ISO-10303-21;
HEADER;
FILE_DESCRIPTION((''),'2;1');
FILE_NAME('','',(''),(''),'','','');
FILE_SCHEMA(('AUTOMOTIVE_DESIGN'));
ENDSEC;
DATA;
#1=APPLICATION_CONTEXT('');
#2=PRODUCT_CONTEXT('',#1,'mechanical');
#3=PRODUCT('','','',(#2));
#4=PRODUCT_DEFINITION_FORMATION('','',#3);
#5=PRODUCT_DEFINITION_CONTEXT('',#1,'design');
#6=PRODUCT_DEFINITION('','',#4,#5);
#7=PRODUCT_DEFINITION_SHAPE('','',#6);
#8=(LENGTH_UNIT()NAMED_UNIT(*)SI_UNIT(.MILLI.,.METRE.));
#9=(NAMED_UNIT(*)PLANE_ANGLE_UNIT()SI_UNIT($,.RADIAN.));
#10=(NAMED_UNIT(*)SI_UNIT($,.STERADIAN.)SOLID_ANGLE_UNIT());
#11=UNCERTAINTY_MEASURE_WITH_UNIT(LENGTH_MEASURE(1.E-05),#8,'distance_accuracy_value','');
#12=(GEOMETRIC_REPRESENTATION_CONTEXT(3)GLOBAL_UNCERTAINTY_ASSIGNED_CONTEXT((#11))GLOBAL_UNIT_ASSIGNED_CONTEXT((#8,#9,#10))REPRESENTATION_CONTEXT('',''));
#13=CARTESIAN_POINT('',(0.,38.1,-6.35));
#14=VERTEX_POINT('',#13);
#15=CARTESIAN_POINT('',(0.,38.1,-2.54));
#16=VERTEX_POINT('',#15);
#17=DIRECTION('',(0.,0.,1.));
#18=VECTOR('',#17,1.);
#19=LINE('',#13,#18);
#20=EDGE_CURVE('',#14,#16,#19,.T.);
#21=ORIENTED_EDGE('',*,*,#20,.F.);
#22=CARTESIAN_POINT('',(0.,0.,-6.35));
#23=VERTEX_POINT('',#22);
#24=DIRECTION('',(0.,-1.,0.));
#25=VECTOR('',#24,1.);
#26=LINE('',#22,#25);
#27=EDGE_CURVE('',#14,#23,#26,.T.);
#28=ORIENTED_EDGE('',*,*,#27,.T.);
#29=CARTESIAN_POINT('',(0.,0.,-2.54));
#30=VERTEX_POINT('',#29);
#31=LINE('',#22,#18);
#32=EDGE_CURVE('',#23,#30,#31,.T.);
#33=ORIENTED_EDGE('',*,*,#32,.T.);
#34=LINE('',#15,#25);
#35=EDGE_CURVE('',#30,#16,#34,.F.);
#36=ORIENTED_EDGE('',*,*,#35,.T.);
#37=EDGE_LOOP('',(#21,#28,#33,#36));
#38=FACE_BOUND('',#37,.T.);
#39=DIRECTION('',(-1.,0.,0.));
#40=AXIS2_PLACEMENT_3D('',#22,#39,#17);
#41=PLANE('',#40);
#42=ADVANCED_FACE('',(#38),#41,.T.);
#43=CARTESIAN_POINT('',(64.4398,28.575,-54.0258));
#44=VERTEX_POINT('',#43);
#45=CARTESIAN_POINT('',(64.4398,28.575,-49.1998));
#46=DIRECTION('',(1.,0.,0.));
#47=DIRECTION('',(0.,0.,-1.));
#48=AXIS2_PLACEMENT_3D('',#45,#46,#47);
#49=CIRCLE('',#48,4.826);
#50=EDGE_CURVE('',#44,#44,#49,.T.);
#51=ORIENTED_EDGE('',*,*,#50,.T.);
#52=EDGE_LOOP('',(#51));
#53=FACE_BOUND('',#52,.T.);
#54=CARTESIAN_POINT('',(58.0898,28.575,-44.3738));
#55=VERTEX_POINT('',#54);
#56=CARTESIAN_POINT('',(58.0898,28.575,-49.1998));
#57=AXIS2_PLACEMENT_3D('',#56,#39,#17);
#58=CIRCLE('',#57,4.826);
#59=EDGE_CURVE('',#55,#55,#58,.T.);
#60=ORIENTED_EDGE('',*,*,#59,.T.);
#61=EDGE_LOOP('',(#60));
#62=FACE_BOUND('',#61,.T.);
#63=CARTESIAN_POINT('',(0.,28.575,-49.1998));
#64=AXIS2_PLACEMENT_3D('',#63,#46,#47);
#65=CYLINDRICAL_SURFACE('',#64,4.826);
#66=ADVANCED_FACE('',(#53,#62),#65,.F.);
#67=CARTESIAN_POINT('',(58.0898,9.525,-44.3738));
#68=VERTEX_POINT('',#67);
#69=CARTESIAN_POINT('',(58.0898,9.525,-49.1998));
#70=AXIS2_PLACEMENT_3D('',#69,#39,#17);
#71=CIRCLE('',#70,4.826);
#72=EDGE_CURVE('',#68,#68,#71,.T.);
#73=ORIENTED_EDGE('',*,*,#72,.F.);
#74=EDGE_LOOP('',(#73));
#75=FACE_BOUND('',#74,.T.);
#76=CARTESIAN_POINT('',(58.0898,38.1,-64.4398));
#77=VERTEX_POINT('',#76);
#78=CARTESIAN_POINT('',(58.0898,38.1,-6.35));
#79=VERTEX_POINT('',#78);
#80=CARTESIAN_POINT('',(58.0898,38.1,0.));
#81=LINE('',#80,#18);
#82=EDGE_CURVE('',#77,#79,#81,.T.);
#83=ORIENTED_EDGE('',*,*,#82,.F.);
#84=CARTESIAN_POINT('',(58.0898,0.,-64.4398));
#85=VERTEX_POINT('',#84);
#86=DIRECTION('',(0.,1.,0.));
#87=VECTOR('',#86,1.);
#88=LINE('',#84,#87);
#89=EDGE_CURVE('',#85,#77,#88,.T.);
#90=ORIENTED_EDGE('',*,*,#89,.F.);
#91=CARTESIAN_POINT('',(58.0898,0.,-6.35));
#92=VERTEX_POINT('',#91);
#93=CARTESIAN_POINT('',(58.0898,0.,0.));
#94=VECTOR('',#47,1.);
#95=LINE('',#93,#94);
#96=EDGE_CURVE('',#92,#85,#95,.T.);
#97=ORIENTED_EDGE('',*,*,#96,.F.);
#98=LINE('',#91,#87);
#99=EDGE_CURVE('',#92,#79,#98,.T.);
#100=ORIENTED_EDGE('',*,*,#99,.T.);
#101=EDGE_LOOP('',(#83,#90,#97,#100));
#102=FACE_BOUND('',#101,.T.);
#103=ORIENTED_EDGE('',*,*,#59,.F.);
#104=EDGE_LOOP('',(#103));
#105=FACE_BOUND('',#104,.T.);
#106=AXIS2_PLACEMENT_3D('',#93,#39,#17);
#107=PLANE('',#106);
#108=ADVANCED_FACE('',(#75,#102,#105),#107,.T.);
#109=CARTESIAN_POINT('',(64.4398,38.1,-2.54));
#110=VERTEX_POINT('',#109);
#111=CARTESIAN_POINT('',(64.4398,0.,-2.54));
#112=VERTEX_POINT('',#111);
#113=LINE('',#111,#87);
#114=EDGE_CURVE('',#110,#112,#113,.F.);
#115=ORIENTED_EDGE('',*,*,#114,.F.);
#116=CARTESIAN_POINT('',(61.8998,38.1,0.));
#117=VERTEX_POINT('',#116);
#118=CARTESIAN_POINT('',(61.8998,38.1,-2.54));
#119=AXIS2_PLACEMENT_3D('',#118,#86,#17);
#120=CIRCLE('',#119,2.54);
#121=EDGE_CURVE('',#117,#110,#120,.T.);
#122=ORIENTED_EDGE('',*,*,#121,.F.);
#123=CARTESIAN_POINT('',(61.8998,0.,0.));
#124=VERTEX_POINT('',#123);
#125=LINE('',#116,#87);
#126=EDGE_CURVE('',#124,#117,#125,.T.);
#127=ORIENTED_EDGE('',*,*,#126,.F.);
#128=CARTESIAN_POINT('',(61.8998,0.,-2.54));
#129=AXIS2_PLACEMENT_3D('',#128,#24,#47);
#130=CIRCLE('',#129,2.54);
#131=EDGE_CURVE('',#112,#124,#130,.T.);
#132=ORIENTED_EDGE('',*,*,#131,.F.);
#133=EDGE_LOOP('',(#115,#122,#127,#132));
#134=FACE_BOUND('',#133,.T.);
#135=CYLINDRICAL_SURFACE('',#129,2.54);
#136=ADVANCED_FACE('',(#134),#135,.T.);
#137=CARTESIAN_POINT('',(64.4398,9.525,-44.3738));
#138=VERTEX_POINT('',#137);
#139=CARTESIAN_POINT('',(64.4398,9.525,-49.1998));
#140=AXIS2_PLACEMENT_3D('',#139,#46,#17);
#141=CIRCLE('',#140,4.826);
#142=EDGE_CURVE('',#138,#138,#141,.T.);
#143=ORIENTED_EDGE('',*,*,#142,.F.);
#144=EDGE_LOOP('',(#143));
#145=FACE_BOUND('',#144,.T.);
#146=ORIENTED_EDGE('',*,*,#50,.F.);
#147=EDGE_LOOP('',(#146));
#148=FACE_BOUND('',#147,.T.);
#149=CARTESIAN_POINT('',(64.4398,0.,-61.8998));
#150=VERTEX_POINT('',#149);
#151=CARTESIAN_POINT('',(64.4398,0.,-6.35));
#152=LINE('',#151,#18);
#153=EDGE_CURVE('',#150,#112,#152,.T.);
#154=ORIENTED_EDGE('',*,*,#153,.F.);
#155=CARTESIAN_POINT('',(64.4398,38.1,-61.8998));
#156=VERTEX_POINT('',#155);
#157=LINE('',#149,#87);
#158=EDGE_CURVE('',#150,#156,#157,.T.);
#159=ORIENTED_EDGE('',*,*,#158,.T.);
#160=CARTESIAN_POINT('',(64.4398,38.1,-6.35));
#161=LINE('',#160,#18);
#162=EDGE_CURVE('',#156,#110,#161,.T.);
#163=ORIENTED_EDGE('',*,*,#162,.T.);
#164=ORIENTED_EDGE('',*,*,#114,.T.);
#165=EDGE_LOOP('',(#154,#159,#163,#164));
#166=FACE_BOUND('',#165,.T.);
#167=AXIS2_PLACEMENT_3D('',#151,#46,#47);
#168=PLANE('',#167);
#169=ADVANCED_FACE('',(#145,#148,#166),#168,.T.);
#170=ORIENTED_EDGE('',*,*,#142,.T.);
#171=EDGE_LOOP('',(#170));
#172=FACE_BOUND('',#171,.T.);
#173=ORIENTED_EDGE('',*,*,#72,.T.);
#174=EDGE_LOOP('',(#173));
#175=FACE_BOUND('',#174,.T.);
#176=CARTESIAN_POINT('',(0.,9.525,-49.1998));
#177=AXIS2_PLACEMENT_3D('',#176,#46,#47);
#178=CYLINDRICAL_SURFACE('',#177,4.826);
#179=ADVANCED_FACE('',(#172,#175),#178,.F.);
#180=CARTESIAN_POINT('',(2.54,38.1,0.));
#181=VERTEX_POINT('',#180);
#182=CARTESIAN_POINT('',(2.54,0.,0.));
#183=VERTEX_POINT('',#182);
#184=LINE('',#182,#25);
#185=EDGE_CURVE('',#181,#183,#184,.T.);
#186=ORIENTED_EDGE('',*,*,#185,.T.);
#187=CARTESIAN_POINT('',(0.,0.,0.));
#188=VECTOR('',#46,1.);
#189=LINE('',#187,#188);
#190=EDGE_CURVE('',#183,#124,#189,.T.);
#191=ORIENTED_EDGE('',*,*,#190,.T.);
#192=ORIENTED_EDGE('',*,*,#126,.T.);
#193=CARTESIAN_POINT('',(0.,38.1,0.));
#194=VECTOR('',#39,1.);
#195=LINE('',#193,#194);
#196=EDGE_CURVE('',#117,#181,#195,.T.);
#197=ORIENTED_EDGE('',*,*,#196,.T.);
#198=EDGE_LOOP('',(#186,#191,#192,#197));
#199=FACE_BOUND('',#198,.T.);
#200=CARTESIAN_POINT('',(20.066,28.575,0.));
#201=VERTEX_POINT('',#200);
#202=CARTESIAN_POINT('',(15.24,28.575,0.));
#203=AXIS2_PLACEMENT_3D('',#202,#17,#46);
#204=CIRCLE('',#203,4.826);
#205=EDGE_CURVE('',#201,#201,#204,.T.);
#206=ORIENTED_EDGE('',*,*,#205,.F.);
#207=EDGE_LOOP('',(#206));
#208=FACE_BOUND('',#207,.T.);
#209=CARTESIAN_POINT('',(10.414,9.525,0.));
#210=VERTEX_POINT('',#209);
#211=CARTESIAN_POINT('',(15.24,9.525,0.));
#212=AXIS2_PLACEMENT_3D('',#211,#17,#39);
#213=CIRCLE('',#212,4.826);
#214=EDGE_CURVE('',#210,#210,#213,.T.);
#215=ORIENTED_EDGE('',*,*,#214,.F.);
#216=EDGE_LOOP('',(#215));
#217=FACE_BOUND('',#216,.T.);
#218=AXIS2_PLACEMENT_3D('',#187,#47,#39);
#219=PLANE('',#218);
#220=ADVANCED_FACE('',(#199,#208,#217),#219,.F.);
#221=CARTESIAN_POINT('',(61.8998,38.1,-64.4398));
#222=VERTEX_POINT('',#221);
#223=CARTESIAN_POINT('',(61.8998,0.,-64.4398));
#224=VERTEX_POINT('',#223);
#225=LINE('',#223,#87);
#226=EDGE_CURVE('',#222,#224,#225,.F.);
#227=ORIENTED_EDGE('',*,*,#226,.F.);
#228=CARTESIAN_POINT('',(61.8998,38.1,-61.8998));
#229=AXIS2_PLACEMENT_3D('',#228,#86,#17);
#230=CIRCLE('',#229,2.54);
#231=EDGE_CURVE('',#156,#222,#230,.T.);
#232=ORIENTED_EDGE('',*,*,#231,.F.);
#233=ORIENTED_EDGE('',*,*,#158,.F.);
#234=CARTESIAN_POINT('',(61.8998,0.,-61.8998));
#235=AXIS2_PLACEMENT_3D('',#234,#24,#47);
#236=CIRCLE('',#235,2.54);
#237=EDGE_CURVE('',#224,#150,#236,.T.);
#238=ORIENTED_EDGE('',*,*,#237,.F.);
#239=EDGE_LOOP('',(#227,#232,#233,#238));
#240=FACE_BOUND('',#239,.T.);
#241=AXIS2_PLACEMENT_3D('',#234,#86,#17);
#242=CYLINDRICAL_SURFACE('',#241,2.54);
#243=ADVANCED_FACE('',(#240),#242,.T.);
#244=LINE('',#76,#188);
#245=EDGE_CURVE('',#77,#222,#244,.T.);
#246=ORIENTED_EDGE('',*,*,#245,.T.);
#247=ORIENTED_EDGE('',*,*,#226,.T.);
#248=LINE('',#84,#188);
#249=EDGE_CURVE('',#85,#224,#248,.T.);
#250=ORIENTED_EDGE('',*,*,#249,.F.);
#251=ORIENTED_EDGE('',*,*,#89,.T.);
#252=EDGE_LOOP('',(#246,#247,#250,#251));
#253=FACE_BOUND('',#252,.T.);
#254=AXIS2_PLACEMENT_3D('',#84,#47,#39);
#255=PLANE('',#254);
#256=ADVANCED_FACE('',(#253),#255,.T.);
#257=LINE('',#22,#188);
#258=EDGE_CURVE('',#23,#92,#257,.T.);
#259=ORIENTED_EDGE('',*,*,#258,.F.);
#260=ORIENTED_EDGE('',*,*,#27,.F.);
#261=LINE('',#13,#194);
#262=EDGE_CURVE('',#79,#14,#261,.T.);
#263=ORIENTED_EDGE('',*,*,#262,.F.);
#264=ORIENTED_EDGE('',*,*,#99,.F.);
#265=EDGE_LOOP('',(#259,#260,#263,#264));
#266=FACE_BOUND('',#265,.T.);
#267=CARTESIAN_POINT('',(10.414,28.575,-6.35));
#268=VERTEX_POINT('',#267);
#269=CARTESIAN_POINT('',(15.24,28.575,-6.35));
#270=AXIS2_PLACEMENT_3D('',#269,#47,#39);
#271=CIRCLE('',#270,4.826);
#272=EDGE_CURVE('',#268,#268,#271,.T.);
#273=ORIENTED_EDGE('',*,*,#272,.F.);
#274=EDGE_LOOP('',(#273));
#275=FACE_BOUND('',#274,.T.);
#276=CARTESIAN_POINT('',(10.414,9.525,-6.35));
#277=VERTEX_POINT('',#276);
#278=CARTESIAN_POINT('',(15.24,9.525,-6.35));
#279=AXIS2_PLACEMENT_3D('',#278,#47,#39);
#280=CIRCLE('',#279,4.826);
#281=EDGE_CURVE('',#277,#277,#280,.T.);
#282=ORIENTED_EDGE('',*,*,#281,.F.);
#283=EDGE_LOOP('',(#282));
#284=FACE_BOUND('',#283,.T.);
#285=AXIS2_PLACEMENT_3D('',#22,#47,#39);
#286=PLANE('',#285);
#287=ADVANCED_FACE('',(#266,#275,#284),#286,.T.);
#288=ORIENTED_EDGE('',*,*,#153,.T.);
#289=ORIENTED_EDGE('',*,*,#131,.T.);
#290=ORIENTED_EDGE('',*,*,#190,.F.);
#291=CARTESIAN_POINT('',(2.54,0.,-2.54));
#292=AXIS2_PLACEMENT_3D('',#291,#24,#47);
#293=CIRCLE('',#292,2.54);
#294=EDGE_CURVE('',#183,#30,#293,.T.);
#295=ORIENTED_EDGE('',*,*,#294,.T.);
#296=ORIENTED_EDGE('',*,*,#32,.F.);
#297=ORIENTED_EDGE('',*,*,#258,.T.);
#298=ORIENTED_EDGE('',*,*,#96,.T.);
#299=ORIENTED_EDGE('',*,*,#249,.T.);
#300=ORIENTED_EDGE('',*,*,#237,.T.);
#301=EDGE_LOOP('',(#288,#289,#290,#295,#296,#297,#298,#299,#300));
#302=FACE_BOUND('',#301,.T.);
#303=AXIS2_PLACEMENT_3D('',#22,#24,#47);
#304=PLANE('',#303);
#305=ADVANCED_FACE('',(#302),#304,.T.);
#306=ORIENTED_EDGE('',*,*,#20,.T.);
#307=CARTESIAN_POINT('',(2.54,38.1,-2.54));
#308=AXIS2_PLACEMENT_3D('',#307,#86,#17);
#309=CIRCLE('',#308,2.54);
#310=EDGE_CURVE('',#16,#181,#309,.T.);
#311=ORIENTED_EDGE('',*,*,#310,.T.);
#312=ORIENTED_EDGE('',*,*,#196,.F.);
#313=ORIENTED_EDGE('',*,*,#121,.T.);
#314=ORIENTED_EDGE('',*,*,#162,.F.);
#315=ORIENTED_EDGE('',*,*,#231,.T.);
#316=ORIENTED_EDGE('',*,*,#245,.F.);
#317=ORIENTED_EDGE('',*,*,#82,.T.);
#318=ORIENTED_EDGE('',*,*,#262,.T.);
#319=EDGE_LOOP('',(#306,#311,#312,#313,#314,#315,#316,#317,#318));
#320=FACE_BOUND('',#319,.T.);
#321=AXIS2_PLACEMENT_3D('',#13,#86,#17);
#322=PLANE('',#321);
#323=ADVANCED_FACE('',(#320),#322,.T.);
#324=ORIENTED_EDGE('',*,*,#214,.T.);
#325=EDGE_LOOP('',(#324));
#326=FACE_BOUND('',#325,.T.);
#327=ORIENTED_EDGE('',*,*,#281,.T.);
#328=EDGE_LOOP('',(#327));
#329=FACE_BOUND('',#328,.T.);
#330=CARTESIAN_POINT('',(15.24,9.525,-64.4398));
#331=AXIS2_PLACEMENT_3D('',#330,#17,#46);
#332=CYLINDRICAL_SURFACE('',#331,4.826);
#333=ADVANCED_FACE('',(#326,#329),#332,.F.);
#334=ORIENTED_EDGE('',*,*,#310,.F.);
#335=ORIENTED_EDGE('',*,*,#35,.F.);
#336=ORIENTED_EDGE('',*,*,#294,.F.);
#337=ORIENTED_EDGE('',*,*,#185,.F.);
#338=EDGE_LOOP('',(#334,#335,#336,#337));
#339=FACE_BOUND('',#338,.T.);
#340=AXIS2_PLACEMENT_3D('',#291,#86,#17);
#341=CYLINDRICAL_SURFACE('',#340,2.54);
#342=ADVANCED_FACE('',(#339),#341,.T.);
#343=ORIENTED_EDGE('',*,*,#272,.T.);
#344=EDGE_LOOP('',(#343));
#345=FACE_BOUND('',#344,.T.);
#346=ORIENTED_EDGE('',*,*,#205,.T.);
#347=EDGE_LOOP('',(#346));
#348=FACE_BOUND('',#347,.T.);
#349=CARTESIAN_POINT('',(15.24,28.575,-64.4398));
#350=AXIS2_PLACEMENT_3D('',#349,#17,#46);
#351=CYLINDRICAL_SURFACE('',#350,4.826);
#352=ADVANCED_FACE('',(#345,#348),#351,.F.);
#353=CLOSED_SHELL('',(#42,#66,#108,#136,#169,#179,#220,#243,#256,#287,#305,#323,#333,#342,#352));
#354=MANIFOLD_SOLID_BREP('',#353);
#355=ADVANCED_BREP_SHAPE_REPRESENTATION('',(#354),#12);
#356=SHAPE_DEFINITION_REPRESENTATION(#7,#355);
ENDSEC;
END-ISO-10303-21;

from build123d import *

# Parameters (mm, degrees)
SKETCH1_W           = 64.4398
SKETCH1_H           = 38.1
BOSS_EXTRUDE1_DEPTH = 6.35
SKETCH2_W           = 64.4398
SKETCH2_H           = 38.1
BOSS_EXTRUDE2_DEPTH = 6.35
SKETCH3_R           = 4.826
CUT_EXTRUDE1_DEPTH  = 99.775430387
SKETCH4_R           = 4.826
CUT_EXTRUDE4_DEPTH  = 99.775430387
FILLET1_R           = 2.54
FILLET2_R           = 2.54
FILLET3_R           = 2.54


with BuildPart() as part:
    # Sketch1 → Boss-Extrude1 (new body)
    with BuildSketch(Plane.XY):
        with Locations((32.2199, 19.05)):
            Rectangle(SKETCH1_W, SKETCH1_H)
    extrude(amount=-BOSS_EXTRUDE1_DEPTH)

    # Sketch2 → Boss-Extrude2 (add)
    with BuildSketch(Plane(origin=(64.4398, 0, 0), x_dir=(0, 0, -1), z_dir=(1, 0, 0))):
        with Locations((32.2199, 19.05)):
            Rectangle(SKETCH2_W, SKETCH2_H)
    extrude(amount=-BOSS_EXTRUDE2_DEPTH)

    # Sketch3 → Cut-Extrude1 (cut, through all)
    with BuildSketch(Plane(origin=(64.4398, 0, 0), x_dir=(0, 0, -1), z_dir=(1, 0, 0))):
        with Locations((49.1998, 28.575)):
            Circle(SKETCH3_R)
        with Locations(Location((49.1998, 9.525, 0), (0, 0, 180))):
            Circle(SKETCH3_R)
    extrude(amount=-CUT_EXTRUDE1_DEPTH, mode=Mode.SUBTRACT)

    # Sketch4 → Cut-Extrude4 (cut, through all)
    with BuildSketch(Plane.XY):
        with Locations((15.24, 28.575)):
            Circle(SKETCH4_R)
        with Locations(Location((15.24, 9.525, 0), (0, 0, 180))):
            Circle(SKETCH4_R)
    extrude(amount=-CUT_EXTRUDE4_DEPTH, mode=Mode.SUBTRACT)

    # Fillet1
    fillet1_edges = [part.edges().sort_by_distance(p)[0] for p in [
        (0, 19.05, 0),
    ]]
    fillet(fillet1_edges, radius=FILLET1_R)

    # Fillet2
    fillet2_edges = [part.edges().sort_by_distance(p)[0] for p in [
        (64.4398, 19.05, -64.4398),
    ]]
    fillet(fillet2_edges, radius=FILLET2_R)

    # Fillet3
    fillet3_edges = [part.edges().sort_by_distance(p)[0] for p in [
        (64.4398, 19.05, 0),
    ]]
    fillet(fillet3_edges, radius=FILLET3_R)


solid = part.part
